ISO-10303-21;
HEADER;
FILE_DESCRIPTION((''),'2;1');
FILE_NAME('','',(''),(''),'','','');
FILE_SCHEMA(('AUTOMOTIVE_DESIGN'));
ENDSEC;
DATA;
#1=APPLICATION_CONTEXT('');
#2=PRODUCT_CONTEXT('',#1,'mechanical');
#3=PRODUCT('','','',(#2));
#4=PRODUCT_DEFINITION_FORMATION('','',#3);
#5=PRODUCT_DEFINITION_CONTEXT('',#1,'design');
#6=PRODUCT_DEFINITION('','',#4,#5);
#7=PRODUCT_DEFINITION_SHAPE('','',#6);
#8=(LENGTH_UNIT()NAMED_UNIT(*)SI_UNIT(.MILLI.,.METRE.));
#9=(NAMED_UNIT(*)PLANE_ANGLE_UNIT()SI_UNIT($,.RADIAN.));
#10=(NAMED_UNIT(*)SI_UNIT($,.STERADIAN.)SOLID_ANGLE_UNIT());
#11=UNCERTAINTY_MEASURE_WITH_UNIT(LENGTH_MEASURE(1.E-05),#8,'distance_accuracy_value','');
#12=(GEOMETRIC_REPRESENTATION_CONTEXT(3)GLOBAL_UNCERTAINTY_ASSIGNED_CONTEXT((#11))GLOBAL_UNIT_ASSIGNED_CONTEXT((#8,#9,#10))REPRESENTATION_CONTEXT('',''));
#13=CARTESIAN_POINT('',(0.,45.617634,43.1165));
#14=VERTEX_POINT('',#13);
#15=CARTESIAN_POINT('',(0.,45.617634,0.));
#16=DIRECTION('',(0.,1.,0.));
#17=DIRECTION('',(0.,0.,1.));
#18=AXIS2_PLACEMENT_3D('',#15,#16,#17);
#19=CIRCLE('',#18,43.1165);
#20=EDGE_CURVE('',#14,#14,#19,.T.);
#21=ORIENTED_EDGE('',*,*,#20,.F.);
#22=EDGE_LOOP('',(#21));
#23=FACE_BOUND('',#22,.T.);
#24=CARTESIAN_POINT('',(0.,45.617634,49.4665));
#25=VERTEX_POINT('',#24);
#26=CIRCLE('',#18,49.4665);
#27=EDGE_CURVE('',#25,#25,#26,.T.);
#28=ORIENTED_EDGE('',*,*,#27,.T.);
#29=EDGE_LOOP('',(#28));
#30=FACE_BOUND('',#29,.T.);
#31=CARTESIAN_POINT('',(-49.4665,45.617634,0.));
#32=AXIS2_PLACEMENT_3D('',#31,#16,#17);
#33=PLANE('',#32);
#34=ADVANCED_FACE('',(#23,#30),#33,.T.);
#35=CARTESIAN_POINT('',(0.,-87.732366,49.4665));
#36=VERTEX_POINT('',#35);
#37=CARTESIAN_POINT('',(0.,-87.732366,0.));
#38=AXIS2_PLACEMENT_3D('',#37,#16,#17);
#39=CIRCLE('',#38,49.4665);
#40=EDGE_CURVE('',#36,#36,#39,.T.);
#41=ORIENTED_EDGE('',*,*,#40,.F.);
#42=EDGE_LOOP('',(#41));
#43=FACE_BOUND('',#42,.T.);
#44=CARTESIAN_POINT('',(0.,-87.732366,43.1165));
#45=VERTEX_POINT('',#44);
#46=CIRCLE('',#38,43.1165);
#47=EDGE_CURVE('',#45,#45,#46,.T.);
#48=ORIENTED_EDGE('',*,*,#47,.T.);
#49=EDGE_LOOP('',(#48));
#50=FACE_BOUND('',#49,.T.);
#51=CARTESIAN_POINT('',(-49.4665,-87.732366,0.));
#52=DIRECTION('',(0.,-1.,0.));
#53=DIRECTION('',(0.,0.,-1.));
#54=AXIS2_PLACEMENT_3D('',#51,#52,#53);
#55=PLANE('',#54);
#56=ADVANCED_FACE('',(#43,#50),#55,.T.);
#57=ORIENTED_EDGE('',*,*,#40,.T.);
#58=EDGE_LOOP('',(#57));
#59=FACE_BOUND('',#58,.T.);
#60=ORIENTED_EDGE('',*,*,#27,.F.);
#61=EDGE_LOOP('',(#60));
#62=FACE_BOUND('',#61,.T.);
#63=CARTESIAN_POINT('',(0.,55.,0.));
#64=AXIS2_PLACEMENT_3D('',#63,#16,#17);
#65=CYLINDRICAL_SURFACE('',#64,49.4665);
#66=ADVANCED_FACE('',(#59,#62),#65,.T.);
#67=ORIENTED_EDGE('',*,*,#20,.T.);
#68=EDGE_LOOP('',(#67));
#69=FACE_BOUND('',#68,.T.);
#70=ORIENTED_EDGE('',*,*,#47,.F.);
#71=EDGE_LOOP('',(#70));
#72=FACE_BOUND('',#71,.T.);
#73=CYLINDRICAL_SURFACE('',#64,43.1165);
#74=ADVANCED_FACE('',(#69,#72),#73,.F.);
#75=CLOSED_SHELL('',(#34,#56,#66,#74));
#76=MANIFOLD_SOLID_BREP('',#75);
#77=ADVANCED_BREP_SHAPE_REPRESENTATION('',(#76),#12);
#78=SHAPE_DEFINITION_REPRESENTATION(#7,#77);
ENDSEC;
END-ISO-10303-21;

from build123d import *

# Parameters (mm, degrees)
SKETCH1_W = 6.35
SKETCH1_H = 133.35


with BuildPart() as part:
    # Sketch1 → Revolve1 (revolve)
    with BuildSketch(Plane.XY):
        with Locations((-46.2915, -21.057365567)):
            Rectangle(SKETCH1_W, SKETCH1_H)
    revolve(axis=Axis((0, 55, 0), (0, -1, 0)))


solid = part.part
